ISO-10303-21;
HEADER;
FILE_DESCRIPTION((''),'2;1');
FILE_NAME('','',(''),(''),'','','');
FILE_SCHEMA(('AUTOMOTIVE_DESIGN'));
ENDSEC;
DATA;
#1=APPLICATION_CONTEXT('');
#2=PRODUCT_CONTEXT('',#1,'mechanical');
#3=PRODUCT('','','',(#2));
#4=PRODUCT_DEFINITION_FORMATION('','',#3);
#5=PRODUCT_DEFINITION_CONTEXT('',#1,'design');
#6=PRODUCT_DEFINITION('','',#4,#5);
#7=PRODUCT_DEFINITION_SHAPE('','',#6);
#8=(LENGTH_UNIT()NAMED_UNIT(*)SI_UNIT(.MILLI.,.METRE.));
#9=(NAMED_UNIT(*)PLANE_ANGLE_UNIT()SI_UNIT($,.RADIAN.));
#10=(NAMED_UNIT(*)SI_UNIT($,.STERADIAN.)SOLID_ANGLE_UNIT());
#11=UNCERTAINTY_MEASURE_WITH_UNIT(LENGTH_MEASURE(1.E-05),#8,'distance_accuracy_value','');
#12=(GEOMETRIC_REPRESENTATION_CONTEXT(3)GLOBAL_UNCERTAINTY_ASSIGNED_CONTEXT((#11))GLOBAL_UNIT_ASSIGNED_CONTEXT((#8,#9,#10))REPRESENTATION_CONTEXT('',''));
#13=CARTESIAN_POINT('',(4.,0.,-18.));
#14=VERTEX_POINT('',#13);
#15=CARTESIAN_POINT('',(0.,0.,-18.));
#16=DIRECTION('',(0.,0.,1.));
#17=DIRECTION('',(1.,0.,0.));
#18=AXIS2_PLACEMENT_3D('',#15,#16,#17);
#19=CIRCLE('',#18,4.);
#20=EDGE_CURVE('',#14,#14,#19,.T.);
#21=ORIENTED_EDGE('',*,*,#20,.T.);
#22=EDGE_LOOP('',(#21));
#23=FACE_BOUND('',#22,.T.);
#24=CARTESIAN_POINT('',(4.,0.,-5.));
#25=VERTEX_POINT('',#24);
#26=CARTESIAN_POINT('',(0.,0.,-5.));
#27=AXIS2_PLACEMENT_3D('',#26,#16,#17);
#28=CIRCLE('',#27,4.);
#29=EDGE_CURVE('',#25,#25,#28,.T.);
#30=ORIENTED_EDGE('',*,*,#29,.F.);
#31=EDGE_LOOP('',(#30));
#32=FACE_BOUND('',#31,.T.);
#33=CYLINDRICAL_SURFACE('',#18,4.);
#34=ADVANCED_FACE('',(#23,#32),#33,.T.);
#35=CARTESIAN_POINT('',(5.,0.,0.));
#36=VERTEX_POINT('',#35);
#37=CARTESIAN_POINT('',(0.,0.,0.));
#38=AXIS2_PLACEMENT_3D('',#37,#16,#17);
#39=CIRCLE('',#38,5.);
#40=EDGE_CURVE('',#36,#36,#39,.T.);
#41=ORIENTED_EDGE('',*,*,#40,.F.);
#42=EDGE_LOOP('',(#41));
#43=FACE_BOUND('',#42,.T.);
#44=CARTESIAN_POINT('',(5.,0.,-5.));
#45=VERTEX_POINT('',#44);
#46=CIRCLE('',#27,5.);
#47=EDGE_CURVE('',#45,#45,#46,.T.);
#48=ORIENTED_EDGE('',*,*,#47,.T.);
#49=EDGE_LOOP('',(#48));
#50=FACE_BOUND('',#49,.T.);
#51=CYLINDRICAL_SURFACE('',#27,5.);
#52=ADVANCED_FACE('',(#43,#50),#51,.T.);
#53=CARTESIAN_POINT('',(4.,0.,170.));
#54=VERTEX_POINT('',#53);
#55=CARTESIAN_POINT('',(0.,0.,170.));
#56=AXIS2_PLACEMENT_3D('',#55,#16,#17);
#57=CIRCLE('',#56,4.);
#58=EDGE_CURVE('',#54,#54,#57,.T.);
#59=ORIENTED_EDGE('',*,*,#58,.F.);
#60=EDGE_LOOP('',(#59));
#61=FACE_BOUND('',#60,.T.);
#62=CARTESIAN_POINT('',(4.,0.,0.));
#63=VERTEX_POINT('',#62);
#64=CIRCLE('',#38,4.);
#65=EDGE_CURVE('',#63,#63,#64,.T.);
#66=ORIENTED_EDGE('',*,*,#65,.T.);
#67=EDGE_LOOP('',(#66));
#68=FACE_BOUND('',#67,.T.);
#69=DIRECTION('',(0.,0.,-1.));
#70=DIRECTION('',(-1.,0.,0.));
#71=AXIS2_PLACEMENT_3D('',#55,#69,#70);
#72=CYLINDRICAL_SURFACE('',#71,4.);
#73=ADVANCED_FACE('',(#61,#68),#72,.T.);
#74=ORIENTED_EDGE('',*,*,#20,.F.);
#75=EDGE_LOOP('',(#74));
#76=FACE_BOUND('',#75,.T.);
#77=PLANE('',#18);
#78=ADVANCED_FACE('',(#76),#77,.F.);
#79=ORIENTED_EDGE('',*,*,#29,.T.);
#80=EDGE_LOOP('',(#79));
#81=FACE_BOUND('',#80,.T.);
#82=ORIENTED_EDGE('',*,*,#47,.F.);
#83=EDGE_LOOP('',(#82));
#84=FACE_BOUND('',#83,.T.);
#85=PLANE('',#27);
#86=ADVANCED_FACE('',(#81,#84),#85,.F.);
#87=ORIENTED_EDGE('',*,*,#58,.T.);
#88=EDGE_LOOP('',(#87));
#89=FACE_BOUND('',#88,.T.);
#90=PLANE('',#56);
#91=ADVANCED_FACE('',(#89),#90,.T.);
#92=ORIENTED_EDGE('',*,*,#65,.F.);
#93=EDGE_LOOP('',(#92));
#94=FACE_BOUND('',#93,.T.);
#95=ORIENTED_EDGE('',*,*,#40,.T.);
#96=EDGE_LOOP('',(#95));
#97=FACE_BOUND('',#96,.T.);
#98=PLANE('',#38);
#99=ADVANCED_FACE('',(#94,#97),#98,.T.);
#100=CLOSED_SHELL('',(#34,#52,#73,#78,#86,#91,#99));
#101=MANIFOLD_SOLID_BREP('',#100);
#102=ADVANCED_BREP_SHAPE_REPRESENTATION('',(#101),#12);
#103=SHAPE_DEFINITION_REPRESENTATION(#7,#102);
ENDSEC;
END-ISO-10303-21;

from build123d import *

# Parameters (mm, degrees)
SKETCH1_R           = 4
BOSS_EXTRUDE1_DEPTH = 170
SKETCH2_R           = 5
BOSS_EXTRUDE2_DEPTH = 5
BOSS_EXTRUDE3_START = -18
SKETCH3_R           = 4
BOSS_EXTRUDE3_DEPTH = 18


with BuildPart() as part:
    # Sketch1 → Boss-Extrude1 (new body)
    with BuildSketch(Plane.XY):
        Circle(SKETCH1_R)
    extrude(amount=BOSS_EXTRUDE1_DEPTH)

    # Sketch2 → Boss-Extrude2 (add)
    with BuildSketch(Plane.XY):
        Circle(SKETCH2_R)
    extrude(amount=-BOSS_EXTRUDE2_DEPTH)

    # Sketch3 → Boss-Extrude3 (add)
    with BuildSketch(Plane.XY.offset(BOSS_EXTRUDE3_START)):
        Circle(SKETCH3_R)
    extrude(amount=BOSS_EXTRUDE3_DEPTH)


solid = part.part
